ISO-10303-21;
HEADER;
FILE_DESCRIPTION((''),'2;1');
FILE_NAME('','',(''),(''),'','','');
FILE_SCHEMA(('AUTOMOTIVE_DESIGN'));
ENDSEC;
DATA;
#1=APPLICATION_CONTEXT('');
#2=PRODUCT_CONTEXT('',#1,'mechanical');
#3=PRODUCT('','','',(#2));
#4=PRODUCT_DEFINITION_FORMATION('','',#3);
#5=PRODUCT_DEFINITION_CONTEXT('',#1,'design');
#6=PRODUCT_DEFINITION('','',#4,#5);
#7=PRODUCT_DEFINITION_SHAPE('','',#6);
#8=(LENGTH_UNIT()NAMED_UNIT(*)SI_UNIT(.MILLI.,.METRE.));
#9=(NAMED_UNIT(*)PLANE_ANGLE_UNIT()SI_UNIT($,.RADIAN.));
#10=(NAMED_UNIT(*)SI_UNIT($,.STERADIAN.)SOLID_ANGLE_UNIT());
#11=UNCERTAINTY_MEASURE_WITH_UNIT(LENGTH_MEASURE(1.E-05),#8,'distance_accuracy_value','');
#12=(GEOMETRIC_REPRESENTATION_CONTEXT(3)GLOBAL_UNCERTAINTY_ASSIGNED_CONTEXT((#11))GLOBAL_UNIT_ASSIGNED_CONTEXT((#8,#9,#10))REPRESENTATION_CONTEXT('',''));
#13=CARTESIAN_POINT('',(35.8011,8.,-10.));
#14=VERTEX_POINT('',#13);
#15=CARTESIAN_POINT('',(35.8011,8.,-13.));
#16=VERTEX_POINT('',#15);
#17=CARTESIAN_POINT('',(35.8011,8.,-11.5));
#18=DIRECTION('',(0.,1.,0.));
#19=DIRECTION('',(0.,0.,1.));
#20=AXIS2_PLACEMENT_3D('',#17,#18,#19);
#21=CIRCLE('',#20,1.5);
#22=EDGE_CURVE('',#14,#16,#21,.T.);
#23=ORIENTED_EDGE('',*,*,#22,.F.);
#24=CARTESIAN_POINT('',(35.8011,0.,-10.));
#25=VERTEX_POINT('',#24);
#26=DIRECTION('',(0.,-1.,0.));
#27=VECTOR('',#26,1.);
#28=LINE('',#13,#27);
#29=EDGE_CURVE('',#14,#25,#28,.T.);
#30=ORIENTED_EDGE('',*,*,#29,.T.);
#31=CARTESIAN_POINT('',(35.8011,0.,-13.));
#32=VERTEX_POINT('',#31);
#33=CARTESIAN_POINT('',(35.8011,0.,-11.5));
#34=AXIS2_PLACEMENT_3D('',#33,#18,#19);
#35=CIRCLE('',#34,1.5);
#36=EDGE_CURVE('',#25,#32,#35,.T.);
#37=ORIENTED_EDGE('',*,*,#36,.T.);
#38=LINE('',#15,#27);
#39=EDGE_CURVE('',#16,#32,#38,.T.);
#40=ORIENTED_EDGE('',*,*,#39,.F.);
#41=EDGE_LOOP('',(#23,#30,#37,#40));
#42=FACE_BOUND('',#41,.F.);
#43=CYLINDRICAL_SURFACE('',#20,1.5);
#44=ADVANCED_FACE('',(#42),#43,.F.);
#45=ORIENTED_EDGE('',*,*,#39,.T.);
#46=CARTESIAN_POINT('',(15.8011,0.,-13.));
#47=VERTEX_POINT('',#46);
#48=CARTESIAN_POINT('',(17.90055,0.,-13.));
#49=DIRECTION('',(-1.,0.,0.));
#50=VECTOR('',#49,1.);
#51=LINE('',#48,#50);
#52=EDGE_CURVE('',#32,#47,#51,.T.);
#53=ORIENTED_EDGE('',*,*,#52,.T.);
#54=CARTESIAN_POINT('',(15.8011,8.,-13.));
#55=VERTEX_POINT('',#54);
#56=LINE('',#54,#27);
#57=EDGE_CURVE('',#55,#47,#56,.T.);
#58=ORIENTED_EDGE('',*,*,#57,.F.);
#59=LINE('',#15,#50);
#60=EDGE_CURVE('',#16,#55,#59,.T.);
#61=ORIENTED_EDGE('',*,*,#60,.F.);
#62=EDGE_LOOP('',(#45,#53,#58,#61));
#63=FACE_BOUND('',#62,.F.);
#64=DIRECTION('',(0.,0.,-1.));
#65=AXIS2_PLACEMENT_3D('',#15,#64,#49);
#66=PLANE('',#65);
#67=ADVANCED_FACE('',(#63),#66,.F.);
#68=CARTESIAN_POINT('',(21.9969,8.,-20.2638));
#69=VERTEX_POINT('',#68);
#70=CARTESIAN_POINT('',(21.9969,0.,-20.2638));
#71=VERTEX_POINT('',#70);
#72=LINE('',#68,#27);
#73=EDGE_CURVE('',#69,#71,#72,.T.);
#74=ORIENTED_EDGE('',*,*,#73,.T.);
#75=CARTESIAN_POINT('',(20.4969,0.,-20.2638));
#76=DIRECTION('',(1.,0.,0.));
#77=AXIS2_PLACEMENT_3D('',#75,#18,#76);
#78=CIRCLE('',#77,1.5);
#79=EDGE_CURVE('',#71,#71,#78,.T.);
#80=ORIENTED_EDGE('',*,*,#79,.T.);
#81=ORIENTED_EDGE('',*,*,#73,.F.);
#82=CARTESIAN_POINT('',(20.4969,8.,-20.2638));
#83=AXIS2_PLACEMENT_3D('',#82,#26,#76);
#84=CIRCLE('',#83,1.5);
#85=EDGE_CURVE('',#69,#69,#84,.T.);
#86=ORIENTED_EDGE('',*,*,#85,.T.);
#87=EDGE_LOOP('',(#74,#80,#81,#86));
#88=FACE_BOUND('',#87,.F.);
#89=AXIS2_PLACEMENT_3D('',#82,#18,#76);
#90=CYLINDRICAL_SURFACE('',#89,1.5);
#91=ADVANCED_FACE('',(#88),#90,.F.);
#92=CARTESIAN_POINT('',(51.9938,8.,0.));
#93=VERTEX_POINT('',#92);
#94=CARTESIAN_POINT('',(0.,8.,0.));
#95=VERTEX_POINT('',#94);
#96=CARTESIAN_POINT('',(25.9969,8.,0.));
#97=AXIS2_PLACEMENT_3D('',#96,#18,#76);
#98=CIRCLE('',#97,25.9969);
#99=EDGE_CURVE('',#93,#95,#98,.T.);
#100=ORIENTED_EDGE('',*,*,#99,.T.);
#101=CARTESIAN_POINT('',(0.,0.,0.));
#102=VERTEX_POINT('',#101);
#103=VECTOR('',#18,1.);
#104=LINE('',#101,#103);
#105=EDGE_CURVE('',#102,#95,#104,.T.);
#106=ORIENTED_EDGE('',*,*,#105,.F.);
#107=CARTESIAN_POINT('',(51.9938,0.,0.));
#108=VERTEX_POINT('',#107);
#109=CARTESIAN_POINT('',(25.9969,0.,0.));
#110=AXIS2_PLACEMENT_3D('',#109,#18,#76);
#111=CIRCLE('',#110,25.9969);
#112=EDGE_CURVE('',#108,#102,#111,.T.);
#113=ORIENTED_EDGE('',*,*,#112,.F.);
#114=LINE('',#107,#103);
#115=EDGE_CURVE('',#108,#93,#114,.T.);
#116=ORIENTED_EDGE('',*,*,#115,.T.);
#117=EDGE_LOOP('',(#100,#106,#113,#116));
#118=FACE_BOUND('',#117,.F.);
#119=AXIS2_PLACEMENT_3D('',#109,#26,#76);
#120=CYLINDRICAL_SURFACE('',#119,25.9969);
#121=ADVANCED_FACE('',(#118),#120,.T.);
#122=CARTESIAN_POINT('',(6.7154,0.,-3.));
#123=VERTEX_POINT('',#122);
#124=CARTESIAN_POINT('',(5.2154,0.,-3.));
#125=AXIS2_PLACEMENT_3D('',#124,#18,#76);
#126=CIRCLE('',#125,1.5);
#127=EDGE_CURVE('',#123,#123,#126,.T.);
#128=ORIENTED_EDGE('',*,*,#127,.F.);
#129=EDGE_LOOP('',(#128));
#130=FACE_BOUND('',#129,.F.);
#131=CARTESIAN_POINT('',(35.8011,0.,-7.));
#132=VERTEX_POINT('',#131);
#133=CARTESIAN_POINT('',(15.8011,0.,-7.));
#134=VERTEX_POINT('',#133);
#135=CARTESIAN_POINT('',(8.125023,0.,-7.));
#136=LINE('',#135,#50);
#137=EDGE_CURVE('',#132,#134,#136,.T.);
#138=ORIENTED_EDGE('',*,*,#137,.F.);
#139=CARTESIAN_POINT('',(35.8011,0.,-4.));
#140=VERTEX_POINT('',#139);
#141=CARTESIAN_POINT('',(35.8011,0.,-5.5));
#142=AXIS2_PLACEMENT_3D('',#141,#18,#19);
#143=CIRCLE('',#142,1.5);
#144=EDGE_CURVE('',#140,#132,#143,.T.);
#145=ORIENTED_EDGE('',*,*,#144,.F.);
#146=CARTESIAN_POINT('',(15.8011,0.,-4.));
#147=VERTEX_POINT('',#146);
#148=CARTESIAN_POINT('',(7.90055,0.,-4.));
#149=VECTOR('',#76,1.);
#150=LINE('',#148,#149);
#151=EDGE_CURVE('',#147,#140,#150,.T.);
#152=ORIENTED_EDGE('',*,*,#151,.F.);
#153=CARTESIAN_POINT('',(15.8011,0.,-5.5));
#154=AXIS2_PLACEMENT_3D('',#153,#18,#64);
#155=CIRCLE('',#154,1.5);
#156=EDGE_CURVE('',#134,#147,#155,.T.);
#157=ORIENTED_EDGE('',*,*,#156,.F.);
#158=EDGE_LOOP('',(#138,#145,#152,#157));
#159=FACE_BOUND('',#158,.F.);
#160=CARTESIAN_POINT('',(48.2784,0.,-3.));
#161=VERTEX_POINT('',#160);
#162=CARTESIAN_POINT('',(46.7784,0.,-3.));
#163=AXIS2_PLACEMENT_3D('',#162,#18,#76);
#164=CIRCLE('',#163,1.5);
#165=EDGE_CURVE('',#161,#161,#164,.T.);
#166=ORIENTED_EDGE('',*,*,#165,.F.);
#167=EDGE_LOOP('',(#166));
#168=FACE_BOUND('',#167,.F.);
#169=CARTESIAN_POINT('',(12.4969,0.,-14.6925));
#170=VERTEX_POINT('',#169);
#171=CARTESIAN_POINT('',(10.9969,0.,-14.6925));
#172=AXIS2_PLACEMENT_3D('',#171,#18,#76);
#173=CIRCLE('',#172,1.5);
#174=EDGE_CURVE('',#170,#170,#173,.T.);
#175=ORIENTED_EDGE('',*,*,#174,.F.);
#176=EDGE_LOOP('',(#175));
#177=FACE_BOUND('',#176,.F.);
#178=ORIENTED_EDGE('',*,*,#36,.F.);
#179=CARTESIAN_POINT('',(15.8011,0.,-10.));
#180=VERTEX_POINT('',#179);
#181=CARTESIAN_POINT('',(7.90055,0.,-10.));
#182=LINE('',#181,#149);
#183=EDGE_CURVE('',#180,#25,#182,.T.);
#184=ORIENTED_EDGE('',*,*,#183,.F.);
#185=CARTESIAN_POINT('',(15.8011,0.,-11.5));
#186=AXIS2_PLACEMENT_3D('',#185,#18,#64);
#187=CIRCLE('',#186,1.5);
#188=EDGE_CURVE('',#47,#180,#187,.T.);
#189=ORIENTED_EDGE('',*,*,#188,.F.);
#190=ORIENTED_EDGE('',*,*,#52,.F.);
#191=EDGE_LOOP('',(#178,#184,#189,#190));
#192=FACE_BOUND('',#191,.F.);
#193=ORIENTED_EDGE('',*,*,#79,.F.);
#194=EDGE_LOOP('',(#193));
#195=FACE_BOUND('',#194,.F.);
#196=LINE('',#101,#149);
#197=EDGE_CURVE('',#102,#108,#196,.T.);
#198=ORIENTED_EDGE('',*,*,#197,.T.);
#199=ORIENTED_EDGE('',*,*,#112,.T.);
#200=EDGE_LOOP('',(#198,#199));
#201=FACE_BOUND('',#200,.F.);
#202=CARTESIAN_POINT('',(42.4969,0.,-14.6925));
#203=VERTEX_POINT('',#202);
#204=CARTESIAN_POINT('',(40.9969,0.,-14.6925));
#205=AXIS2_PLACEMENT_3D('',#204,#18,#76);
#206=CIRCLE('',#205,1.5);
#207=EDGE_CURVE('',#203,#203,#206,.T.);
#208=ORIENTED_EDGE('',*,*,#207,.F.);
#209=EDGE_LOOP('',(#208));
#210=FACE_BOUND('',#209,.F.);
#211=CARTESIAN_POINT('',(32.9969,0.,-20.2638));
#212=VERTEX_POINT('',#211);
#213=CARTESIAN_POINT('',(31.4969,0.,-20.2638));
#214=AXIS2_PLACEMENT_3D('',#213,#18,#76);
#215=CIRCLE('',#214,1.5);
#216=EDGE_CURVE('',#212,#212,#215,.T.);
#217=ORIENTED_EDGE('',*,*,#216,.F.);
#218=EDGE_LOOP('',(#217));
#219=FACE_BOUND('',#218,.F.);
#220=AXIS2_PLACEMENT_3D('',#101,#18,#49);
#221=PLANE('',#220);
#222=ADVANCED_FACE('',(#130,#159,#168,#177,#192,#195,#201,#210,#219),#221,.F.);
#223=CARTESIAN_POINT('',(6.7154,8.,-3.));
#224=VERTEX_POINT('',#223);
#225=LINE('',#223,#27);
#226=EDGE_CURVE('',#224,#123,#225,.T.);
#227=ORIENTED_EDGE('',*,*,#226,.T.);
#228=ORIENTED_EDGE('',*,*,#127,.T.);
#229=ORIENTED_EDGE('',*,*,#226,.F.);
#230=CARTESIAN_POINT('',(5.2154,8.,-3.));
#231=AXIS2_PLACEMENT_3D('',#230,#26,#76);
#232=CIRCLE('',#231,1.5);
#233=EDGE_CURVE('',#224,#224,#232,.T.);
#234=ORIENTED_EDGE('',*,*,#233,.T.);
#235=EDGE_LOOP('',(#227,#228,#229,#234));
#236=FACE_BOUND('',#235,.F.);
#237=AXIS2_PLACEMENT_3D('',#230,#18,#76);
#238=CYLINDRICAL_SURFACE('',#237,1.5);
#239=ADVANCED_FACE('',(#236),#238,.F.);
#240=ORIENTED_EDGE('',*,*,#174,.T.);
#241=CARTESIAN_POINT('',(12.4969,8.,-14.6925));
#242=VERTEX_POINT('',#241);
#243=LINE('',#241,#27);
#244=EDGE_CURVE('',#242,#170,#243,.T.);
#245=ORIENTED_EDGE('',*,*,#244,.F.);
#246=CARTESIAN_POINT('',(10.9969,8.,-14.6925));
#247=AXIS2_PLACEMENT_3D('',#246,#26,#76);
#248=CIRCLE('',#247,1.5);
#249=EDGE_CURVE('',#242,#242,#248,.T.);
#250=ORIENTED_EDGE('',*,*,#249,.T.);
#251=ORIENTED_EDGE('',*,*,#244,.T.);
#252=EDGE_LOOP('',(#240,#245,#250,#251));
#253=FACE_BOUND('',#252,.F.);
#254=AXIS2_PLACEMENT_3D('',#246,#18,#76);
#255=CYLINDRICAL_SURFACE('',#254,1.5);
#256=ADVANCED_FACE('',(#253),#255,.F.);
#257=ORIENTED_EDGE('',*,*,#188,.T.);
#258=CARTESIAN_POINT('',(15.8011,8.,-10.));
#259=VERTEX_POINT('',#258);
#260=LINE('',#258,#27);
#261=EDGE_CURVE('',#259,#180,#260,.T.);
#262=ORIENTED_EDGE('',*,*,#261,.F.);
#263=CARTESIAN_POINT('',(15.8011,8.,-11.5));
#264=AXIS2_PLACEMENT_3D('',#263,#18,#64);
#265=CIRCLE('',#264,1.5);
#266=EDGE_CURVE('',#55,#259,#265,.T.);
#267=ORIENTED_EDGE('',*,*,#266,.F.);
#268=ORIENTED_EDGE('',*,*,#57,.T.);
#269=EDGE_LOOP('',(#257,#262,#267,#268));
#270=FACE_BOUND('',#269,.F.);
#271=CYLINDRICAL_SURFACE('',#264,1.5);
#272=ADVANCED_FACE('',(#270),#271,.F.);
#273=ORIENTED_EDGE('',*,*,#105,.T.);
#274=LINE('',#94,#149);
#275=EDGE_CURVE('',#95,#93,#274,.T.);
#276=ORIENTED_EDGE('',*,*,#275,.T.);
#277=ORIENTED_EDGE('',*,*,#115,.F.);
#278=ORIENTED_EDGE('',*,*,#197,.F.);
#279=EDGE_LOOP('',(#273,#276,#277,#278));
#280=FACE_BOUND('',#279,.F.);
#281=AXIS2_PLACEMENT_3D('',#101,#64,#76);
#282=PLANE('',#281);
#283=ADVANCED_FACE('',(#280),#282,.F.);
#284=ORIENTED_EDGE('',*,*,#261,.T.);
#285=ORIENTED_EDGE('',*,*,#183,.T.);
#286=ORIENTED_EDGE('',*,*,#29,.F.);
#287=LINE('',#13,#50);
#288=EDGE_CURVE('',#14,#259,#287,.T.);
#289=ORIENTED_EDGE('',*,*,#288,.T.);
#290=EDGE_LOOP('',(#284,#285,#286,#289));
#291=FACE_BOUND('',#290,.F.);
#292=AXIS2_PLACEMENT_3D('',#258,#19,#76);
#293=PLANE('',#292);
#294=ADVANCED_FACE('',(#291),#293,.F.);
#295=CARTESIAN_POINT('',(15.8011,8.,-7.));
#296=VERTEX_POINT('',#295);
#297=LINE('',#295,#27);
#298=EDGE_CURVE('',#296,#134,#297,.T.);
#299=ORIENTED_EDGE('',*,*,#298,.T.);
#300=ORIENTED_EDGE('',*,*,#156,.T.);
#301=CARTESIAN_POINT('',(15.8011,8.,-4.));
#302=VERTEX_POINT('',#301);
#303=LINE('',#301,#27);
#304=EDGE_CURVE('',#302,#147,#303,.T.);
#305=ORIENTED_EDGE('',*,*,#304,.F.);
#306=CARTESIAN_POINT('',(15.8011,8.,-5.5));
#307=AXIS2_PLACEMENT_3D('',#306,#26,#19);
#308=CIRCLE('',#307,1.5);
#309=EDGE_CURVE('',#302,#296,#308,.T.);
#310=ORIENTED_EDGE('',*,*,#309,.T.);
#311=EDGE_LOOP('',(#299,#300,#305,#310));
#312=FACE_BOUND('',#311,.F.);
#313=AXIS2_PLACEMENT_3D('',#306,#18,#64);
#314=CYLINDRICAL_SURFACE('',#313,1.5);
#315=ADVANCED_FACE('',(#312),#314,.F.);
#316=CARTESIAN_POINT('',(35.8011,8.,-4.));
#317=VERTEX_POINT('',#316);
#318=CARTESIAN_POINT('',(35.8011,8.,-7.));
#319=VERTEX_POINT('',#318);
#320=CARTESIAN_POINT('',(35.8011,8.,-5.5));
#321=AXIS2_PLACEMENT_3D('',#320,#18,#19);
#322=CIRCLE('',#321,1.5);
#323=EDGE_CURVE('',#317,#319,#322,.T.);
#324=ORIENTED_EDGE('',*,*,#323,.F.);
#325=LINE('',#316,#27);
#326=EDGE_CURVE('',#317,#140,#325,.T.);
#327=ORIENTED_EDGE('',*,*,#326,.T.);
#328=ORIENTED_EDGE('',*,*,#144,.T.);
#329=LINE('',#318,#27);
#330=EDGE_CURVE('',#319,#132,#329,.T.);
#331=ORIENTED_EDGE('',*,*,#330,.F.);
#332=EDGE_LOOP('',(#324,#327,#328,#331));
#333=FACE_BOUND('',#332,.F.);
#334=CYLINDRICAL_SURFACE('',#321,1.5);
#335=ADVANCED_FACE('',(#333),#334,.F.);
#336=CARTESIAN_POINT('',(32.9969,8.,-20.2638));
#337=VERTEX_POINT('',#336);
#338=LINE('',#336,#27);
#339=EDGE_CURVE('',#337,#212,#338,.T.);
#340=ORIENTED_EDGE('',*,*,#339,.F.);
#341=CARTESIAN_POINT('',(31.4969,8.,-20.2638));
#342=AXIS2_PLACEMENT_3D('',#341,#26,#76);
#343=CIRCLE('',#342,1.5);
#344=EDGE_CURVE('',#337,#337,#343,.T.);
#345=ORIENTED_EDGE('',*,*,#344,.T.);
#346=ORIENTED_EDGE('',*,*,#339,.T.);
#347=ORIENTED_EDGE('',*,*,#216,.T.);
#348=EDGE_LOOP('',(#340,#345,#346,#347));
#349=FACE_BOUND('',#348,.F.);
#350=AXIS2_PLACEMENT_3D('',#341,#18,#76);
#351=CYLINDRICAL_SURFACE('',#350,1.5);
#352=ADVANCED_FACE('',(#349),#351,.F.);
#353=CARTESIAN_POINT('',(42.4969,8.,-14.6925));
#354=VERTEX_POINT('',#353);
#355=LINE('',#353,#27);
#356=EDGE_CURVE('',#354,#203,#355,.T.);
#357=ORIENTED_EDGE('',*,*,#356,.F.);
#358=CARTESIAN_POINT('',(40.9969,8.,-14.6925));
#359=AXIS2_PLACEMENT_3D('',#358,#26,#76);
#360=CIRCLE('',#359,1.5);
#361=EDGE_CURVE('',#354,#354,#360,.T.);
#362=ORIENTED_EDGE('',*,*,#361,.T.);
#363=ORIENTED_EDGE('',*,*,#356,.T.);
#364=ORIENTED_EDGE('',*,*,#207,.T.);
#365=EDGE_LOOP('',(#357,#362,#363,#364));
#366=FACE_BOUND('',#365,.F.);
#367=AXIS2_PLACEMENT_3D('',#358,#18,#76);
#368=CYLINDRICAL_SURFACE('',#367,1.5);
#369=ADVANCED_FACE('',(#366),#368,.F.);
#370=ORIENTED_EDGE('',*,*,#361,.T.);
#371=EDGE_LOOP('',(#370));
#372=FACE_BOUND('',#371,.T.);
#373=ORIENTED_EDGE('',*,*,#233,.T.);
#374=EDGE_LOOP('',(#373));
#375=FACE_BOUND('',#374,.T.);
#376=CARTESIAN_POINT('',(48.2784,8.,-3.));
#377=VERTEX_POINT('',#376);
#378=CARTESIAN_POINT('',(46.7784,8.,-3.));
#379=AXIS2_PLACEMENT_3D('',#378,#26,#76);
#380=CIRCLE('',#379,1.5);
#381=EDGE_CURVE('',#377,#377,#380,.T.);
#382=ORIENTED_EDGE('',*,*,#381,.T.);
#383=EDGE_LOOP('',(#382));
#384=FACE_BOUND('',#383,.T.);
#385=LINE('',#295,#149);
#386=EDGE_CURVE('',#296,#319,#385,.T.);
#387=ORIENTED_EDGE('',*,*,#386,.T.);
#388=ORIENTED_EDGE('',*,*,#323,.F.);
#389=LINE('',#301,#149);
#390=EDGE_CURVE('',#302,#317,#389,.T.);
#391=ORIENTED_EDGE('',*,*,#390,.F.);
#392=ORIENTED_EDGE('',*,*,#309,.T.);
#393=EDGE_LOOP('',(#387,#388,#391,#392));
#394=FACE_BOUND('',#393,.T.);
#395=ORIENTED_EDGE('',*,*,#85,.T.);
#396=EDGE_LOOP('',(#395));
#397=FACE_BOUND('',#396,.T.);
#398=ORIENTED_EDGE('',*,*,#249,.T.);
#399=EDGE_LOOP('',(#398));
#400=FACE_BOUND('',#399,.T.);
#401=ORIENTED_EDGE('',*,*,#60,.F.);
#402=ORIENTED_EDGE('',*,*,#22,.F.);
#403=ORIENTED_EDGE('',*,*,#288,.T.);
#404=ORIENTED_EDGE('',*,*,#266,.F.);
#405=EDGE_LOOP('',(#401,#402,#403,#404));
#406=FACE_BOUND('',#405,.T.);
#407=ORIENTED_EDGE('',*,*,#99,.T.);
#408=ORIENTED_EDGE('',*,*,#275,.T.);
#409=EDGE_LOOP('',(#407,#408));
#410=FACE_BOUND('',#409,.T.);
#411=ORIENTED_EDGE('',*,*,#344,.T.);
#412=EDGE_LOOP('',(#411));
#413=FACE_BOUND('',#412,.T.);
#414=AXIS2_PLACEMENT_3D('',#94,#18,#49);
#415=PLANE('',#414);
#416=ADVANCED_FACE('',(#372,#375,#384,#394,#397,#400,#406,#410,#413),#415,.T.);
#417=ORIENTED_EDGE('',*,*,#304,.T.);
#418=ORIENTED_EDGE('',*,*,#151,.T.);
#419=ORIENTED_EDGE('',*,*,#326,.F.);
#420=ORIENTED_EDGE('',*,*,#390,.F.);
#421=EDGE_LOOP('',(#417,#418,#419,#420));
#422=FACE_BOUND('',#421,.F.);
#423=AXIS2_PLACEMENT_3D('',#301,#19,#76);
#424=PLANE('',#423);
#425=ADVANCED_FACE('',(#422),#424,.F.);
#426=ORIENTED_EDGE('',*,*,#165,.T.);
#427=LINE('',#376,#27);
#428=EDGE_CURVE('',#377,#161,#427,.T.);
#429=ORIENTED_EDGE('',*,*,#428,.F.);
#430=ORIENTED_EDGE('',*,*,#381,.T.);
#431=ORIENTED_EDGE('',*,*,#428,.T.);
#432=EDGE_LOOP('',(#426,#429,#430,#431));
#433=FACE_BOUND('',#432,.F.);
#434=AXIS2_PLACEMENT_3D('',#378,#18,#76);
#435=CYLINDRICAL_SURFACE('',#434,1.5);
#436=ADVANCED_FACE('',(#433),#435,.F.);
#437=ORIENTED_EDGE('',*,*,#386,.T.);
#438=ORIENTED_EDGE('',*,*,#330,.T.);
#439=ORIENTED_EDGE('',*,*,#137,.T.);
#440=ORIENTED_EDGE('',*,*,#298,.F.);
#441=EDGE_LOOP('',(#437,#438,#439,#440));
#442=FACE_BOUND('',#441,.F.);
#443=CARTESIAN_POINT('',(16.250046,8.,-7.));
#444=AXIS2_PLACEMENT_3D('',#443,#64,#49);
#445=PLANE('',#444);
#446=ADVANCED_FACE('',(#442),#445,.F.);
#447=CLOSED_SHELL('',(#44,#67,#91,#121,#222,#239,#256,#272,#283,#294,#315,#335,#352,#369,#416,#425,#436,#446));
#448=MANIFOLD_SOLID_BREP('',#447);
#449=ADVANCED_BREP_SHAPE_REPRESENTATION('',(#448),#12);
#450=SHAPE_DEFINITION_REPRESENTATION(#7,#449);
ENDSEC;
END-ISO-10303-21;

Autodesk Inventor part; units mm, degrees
ref_plane "YZ Plane" through (0, 0, 0) normal (1, 0, 0) x (0, 1, 0)
ref_plane "XZ Plane" through (0, 0, 0) normal (0, 1, 0) x (-1, 0, 0)
ref_plane "XY Plane" through (0, 0, 0) normal (0, 0, 1) x (1, 0, 0)
sketch "Sketch1" plane through (0, 0, 0) normal (0, 1, 0) x (-1, 0, 0)
  line L0 (0, 0) -> (-51.9938, 0)
  arc A0 (-51.9938, 0) -> (0, 0) centre (-25.9969, 0) ccw
  dimension "d0" = 51.9938
  dimension "d1" = 25.9969
extrude "Extrusion1" add sketch "Sketch1" along normal blind 8
sketch "Sketch2" plane through (0, 8, 0) normal (0, 1, 0) x (1, 0, 0)
  line L0 (5.2154, 3) -> (46.7784, 3)
  line L1 (0, 0) -> (51.9938, 0) projected
  arc A0 (46.7784, 3) -> (5.2154, 3) centre (25.9969, 0) ccw
  arc A1 (51.9938, 0) -> (0, 0) centre (25.9969, 0) ccw projected
  arc A2 (37.6159, 3) -> (14.3779, 3) centre (25.9969, 0) ccw
  line L2 (7.8131, 10.4985) -> (15.6046, 6) construction
  line L3 (16.8902, 18.9192) -> (14.7121, 4.0808) construction
  line L4 (25.9969, 20.9969) -> (25.9969, 12) construction
  line L5 (34.1779, 19.3375) -> (37.4243, 3.6625) construction
  line L6 (36.3892, 6) -> (44.1807, 10.4984) construction
  circle A3 centre (5.2154, 3) radius 1.5
  circle A4 centre (10.9969, 14.6925) radius 1.5
  circle A5 centre (20.4969, 20.2638) radius 1.5
  circle A6 centre (31.4969, 20.2638) radius 1.5
  circle A7 centre (40.9969, 14.6925) radius 1.5
  circle A8 centre (46.7784, 3) radius 1.5
  line L7 (15.8011, 11.5) -> (35.8011, 11.5) construction
  line L8 (15.8011, 10) -> (35.8011, 10)
  line L9 (35.8011, 13) -> (15.8011, 13)
  arc A9 (15.8011, 13) -> (15.8011, 10) centre (15.8011, 11.5) ccw
  arc A10 (35.8011, 10) -> (35.8011, 13) centre (35.8011, 11.5) ccw
  line L10 (15.8011, 5.5) -> (35.8011, 5.5) construction
  line L11 (15.8011, 4) -> (35.8011, 4)
  line L12 (35.8011, 7) -> (15.8011, 7)
  arc A11 (15.8011, 7) -> (15.8011, 4) centre (15.8011, 5.5) ccw
  arc A12 (35.8011, 4) -> (35.8011, 7) centre (35.8011, 5.5) ccw
  point P0 (25.9969, 0)
  point P1 (11.7088, 8.2492)
  point P2 (25.9969, 16.4985)
  point P3 (40.285, 8.2492)
  point P4 (25.8011, 11.5)
  point P5 (25.8011, 5.5)
  dimension "d4" = 3
  dimension "d5" = 5
  dimension "d6" = 12
  dimension "d15" = 3
  dimension "d16" = 3
  dimension "d17" = 3
  dimension "d18" = 3
  dimension "d19" = 3
  dimension "d21" = 3
  dimension "d22" = 11
  dimension "d23" = 30
  dimension "d24" = 3
  dimension "d25" = 3
  dimension "d26" = 3
  dimension "d27" = 4
  dimension "d28" = 20
extrude "Extrusion2" cut sketch "Sketch2" against normal blind 15 contours A0 A3 L0 | L0 A3 A0 | A4 A0 | A0 A4 | A11 L12 A2 | A2 L12 A12 L11 A11 | A8 A0 L0 | L0 A0 A8 | A2 L12 A12 | A5 A0 | A0 A5 | L8 A9 L9 A10 A2 | A2 L8 | A7 A0 | A0 A7 | A6 A0 | A0 A6
equation "\"d1\" = 0.5 * d0"
properties part number "PVC_WireAnchor"
